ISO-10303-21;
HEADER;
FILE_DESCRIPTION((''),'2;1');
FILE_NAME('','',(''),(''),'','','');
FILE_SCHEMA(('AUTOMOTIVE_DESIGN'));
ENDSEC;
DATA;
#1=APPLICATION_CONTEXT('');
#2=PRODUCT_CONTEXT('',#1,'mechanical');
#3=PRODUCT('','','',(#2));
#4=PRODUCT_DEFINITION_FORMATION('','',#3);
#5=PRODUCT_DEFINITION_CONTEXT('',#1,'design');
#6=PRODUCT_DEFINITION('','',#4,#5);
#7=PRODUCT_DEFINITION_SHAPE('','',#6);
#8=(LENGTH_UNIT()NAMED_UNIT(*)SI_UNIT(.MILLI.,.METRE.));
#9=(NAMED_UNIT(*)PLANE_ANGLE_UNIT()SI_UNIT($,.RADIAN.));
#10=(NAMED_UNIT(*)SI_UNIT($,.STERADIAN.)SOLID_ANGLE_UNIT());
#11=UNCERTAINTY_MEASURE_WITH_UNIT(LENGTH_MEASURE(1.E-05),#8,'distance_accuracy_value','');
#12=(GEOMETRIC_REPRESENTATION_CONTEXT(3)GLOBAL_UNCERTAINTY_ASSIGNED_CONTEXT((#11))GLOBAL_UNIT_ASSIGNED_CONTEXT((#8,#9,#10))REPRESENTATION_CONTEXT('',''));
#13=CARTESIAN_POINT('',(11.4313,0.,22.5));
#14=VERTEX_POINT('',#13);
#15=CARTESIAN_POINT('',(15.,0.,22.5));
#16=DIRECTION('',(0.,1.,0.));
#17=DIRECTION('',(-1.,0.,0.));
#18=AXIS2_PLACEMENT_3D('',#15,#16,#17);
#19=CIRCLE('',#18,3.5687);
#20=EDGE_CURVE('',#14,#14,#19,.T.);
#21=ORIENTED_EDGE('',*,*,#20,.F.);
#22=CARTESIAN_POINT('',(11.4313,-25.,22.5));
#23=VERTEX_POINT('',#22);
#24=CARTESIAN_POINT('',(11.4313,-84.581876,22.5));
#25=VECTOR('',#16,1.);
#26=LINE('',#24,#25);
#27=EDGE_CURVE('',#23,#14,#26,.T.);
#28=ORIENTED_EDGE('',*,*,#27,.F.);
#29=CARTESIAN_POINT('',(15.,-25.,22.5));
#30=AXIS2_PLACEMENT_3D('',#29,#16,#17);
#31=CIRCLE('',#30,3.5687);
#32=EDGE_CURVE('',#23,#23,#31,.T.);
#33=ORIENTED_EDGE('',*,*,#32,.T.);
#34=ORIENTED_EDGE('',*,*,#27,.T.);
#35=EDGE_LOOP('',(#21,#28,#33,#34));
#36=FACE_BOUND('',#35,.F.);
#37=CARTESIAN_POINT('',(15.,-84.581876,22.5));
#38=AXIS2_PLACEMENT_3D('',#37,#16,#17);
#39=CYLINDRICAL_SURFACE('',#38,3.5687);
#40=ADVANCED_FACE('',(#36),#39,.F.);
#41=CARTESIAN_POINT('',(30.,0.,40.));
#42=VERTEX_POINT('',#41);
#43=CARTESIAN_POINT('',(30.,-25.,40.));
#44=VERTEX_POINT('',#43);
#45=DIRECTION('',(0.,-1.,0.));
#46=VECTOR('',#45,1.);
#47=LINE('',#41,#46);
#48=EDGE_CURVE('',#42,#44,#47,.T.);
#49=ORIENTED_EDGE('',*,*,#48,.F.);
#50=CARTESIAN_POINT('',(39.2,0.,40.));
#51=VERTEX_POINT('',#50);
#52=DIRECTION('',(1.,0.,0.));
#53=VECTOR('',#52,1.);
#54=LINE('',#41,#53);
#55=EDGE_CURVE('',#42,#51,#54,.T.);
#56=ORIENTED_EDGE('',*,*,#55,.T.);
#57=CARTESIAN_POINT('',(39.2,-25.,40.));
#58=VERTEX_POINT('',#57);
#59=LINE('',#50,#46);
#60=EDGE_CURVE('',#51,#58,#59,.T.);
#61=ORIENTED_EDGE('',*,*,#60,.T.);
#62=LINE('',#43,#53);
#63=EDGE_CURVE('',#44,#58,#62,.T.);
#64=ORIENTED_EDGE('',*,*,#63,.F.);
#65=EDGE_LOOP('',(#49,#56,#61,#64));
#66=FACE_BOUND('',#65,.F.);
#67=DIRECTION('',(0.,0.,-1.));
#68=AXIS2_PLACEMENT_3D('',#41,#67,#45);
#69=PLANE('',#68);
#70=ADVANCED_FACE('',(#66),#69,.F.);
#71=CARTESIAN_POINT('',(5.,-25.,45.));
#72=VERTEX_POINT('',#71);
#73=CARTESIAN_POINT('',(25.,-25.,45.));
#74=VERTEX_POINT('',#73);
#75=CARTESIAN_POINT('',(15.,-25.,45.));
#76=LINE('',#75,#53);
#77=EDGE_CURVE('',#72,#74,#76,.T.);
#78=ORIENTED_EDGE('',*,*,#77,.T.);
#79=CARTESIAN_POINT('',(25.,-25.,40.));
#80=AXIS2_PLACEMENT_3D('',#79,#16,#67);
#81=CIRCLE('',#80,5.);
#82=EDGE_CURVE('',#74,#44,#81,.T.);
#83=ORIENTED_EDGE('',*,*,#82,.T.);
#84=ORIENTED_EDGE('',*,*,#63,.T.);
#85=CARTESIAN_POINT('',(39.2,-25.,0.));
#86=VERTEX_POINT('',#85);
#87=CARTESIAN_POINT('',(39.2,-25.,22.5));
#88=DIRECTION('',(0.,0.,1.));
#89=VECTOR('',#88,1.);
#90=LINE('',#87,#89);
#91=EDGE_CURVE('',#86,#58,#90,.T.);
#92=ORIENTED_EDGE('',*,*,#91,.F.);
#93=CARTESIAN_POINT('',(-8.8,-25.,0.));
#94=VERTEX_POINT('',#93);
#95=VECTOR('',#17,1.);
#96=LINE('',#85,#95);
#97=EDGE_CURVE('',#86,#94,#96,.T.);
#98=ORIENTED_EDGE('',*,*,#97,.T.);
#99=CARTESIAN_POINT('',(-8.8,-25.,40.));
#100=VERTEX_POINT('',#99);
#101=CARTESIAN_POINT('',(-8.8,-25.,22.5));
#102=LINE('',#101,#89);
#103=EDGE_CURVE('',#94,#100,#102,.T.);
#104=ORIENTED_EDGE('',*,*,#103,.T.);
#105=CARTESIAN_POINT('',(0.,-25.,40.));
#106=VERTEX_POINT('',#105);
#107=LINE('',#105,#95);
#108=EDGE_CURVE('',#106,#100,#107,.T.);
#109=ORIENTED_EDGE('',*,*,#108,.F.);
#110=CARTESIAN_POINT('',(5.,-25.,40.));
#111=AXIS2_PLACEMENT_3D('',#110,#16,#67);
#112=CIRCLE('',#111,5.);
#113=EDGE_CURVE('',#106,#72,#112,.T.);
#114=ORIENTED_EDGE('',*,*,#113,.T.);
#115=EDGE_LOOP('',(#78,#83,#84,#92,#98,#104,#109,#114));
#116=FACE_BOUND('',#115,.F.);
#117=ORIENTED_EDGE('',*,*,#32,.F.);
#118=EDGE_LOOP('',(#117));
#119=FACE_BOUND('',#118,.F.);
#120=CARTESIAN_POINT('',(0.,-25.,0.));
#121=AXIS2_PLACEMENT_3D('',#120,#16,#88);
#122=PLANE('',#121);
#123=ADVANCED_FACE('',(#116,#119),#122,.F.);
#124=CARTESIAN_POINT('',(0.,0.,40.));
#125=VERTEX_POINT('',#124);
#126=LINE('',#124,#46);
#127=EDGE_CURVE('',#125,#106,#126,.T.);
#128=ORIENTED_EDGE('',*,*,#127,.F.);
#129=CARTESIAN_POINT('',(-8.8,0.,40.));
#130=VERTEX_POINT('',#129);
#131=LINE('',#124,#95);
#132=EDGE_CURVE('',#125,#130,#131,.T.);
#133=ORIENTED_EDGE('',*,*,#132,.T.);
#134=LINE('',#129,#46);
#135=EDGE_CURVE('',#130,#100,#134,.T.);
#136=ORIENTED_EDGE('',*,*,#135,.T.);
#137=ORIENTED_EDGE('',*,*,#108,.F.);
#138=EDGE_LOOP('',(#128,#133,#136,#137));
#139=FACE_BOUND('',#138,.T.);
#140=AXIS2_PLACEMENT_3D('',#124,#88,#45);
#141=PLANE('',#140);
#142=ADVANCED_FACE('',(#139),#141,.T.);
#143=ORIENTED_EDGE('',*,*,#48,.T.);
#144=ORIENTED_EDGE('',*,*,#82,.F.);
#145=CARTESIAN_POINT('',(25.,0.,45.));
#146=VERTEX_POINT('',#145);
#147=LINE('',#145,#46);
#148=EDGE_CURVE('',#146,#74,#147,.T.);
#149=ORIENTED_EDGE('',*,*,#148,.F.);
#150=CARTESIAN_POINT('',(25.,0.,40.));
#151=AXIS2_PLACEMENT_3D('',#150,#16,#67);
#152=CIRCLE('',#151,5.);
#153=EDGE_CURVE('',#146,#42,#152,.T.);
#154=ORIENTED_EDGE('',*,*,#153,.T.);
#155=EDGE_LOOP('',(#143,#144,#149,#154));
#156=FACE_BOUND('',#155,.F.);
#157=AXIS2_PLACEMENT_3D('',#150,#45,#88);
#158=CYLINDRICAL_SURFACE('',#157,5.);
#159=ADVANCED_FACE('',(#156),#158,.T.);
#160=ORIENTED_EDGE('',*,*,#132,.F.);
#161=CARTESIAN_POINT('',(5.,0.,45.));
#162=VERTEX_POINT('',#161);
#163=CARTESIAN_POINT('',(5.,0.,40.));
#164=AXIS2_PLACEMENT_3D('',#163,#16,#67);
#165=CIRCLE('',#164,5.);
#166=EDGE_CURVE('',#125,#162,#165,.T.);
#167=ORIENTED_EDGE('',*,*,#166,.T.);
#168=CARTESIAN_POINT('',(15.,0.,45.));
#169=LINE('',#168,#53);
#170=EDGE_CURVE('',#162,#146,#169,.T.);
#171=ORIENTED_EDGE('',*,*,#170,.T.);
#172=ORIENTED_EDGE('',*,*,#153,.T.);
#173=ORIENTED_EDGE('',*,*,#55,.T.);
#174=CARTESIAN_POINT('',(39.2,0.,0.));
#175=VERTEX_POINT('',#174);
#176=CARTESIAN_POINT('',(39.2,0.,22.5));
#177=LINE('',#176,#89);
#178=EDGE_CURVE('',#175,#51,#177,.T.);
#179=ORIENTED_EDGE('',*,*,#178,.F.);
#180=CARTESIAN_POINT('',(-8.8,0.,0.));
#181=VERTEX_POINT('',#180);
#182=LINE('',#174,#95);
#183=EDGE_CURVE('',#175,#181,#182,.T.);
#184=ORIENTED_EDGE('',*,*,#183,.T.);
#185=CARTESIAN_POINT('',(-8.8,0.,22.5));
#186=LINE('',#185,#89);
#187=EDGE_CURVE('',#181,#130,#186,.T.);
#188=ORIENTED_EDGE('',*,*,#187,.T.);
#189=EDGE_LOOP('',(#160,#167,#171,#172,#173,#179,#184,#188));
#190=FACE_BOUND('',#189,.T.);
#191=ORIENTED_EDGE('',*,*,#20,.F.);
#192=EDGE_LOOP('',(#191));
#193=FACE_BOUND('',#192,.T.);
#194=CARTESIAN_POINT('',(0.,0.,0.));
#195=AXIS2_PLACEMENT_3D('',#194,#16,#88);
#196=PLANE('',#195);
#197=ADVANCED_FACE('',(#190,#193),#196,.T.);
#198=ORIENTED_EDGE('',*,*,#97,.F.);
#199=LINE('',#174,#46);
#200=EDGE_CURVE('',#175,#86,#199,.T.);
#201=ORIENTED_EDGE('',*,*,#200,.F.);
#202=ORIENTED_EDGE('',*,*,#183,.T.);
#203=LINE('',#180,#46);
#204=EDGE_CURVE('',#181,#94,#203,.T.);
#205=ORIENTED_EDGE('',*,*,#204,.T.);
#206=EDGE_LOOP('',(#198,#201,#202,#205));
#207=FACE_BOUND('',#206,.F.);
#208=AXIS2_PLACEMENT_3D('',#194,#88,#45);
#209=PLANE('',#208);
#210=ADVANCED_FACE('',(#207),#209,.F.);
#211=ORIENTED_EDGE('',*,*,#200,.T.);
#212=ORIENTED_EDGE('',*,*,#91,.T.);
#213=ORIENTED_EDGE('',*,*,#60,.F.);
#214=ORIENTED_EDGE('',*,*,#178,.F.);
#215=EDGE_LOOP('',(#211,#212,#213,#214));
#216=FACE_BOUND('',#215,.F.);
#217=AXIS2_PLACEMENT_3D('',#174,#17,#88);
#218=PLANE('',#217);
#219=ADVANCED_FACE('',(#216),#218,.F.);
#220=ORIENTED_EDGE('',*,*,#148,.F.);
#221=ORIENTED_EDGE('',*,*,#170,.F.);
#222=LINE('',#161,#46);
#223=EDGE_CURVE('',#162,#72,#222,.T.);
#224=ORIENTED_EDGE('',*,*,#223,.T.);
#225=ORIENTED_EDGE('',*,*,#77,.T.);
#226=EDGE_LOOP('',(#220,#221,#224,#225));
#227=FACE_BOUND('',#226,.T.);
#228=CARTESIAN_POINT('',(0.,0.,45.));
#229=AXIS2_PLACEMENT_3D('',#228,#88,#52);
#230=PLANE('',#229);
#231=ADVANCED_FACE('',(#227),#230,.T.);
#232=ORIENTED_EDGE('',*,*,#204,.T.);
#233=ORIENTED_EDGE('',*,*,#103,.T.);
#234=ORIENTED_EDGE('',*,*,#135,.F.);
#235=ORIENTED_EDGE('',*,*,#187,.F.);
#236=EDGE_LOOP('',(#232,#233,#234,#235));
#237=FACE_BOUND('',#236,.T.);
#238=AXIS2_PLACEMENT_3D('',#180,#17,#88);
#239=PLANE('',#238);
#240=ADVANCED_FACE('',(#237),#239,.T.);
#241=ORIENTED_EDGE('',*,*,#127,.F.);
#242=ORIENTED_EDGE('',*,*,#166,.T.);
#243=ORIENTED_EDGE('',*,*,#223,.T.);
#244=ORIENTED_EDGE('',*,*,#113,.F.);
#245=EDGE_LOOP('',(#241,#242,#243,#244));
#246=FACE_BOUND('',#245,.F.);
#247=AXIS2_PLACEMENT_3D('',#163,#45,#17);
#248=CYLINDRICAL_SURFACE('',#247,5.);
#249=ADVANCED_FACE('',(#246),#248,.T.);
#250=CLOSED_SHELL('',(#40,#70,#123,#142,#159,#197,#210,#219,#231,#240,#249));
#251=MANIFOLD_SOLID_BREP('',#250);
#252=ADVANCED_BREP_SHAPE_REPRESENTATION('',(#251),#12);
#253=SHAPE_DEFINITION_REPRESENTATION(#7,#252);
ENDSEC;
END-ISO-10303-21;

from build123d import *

# Parameters (mm, degrees)
F0_W     = 30
F0_H     = 45
F1_DEPTH = 25
F3_D     = 7.1374
F4_R     = 5
F5_DEPTH = 9.2
F6_DEPTH = 8.8


with BuildPart() as f1:
    # F0 (on Front) → F1 (new body)
    with BuildSketch(Plane.XZ):
        with Locations((15, 22.5)):
            Rectangle(F0_W, F0_H)
    extrude(amount=F1_DEPTH)

    # F3 (through all)
    with Locations(Plane.XZ.offset(25)):
        with Locations((15, 22.5)):
            Hole(F3_D / 2)

    # F4
    f4_edges = [f1.edges().sort_by_distance(p)[0] for p in [
        (30, -12.5, 45),
        (0, -12.5, 45),
    ]]
    fillet(f4_edges, radius=F4_R)

    # F5 (add): a face of the model
    f5_faces = [f1.faces().sort_by_distance(p)[0] for p in [
        (30, -12.5, 20),
    ]]
    extrude(f5_faces, amount=F5_DEPTH)

    # F6 (add): a face of the model
    f6_faces = [f1.faces().sort_by_distance(p)[0] for p in [
        (0, -12.5, 20),
    ]]
    extrude(f6_faces, amount=F6_DEPTH)


solid = f1.part
